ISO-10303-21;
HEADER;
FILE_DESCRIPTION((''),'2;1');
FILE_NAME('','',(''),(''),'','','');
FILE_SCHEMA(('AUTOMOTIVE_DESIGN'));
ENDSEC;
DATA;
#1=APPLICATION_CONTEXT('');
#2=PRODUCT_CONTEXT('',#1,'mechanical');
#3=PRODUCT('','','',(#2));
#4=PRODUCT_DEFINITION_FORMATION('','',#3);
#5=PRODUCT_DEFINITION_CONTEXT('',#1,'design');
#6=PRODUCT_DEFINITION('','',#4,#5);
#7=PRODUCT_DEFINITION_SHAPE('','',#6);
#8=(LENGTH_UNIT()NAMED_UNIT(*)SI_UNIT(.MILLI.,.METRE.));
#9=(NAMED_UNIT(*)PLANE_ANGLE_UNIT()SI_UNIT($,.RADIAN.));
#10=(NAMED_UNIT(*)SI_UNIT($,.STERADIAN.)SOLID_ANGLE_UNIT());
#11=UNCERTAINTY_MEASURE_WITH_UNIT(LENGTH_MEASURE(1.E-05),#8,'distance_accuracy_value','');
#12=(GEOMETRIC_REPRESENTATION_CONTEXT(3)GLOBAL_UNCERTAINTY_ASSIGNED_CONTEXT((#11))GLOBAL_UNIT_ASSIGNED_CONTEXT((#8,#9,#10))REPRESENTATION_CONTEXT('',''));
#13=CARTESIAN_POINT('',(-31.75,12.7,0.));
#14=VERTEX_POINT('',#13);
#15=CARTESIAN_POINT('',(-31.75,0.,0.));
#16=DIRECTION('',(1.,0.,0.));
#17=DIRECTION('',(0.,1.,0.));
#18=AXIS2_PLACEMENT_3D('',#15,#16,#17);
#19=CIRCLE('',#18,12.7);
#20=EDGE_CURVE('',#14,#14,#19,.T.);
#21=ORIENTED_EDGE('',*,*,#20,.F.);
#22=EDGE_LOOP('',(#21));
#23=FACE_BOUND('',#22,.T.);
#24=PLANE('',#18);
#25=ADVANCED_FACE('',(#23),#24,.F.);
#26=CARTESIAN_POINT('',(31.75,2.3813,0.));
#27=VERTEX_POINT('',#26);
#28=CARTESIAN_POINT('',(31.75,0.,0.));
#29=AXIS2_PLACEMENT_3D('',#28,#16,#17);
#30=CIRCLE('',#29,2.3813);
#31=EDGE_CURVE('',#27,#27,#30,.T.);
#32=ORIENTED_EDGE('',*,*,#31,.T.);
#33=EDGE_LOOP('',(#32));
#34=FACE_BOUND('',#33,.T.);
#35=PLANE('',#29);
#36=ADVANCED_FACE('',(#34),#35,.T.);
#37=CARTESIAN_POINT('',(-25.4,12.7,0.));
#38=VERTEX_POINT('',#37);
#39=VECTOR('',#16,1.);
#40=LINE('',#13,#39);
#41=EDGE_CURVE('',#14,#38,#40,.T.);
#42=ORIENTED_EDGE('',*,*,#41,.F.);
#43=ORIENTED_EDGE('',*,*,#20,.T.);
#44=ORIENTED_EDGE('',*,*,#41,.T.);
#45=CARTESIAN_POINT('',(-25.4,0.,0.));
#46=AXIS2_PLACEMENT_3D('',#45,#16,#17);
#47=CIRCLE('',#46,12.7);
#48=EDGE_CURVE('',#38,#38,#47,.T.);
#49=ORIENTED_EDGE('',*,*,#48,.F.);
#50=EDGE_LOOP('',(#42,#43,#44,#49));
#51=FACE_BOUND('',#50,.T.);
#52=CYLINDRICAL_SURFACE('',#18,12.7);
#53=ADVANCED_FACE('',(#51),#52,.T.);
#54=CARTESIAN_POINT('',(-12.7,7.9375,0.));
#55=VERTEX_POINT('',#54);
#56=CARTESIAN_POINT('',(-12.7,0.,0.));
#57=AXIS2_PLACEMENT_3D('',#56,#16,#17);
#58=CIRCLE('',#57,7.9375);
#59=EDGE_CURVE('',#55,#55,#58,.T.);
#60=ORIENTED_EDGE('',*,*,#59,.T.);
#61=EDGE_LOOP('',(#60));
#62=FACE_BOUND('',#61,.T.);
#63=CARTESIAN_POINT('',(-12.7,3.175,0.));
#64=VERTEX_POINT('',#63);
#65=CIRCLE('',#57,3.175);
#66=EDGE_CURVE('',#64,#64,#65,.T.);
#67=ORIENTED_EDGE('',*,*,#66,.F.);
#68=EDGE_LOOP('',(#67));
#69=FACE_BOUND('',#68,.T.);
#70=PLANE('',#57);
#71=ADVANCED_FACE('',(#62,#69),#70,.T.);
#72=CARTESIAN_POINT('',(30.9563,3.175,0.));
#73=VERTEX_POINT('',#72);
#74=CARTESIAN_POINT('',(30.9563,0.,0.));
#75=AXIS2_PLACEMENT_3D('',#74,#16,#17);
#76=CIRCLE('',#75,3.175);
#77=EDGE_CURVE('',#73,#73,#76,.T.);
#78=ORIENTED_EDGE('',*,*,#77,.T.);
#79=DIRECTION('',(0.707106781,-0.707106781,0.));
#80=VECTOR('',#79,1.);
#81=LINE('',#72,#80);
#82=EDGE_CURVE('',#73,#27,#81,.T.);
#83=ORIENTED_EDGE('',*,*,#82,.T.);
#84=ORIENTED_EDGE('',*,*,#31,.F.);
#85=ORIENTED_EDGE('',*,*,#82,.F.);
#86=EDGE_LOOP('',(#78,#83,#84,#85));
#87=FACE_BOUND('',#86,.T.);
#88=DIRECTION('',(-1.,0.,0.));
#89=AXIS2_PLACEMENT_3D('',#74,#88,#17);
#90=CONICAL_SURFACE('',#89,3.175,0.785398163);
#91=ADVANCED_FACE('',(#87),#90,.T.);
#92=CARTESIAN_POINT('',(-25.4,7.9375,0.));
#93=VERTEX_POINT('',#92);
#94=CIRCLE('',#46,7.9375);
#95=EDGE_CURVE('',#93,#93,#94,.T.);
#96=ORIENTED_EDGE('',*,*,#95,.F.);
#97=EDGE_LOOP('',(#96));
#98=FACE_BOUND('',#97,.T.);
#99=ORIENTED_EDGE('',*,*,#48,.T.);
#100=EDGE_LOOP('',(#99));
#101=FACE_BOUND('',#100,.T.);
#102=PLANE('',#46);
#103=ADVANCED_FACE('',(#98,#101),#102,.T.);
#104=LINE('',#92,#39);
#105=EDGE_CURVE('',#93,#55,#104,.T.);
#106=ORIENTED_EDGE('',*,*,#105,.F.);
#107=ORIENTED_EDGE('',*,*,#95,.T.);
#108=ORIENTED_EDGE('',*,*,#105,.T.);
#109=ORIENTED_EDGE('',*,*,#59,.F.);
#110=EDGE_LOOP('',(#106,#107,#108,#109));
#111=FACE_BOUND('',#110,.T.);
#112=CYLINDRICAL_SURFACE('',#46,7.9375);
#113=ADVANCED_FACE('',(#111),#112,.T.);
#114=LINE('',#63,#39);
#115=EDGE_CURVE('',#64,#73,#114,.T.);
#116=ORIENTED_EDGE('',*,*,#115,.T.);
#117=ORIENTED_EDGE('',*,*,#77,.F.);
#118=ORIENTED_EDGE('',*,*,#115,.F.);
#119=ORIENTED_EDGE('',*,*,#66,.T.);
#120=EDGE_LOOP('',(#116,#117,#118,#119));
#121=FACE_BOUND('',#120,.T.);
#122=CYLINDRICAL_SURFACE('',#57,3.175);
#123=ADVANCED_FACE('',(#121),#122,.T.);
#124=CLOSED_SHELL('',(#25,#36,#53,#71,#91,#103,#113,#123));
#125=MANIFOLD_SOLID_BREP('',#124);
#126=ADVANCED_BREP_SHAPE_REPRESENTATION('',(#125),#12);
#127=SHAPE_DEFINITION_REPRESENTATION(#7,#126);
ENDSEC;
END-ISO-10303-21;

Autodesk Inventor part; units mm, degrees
ref_plane "YZ Plane" through (0, 0, 0) normal (1, 0, 0) x (0, 1, 0)
ref_plane "XZ Plane" through (0, 0, 0) normal (0, 1, 0) x (-1, 0, 0)
ref_plane "XY Plane" through (0, 0, 0) normal (0, 0, 1) x (1, 0, 0)
sketch "Sketch1" plane through (0, 0, 0) normal (0, 0, 1) x (1, 0, 0)
  line L0 (-31.75, 0) -> (31.75, 0)
  line L1 (-31.75, 0) -> (-31.75, 12.7)
  line L2 (-31.75, 12.7) -> (-25.4, 12.7)
  line L3 (-25.4, 12.7) -> (-25.4, 7.9375)
  line L4 (-25.4, 7.9375) -> (-12.7, 7.9375)
  line L5 (-12.7, 7.9375) -> (-12.7, 3.175)
  line L6 (-12.7, 3.175) -> (31.75, 3.175)
  line L7 (31.75, 3.175) -> (31.75, 0)
  point P0 (0, 0)
  point P1 (0, 0)
  dimension "d0" = 25.4
  dimension "d1" = 15.875
  dimension "d2" = 6.35
  dimension "d3" = 6.35
  dimension "d4" = 12.7
  dimension "d5" = 44.45
revolve "Revolution1" add sketch "Sketch1" angle 360 about axis through (-31.75, 0, 0) along (1, 0, 0)
chamfer "Chamfer1" distance 0.7937 angle 45 1 edges at (31.75, -3.175, 0)
properties part number "FE-120-008 Pin" material "Aluminum 6061"
